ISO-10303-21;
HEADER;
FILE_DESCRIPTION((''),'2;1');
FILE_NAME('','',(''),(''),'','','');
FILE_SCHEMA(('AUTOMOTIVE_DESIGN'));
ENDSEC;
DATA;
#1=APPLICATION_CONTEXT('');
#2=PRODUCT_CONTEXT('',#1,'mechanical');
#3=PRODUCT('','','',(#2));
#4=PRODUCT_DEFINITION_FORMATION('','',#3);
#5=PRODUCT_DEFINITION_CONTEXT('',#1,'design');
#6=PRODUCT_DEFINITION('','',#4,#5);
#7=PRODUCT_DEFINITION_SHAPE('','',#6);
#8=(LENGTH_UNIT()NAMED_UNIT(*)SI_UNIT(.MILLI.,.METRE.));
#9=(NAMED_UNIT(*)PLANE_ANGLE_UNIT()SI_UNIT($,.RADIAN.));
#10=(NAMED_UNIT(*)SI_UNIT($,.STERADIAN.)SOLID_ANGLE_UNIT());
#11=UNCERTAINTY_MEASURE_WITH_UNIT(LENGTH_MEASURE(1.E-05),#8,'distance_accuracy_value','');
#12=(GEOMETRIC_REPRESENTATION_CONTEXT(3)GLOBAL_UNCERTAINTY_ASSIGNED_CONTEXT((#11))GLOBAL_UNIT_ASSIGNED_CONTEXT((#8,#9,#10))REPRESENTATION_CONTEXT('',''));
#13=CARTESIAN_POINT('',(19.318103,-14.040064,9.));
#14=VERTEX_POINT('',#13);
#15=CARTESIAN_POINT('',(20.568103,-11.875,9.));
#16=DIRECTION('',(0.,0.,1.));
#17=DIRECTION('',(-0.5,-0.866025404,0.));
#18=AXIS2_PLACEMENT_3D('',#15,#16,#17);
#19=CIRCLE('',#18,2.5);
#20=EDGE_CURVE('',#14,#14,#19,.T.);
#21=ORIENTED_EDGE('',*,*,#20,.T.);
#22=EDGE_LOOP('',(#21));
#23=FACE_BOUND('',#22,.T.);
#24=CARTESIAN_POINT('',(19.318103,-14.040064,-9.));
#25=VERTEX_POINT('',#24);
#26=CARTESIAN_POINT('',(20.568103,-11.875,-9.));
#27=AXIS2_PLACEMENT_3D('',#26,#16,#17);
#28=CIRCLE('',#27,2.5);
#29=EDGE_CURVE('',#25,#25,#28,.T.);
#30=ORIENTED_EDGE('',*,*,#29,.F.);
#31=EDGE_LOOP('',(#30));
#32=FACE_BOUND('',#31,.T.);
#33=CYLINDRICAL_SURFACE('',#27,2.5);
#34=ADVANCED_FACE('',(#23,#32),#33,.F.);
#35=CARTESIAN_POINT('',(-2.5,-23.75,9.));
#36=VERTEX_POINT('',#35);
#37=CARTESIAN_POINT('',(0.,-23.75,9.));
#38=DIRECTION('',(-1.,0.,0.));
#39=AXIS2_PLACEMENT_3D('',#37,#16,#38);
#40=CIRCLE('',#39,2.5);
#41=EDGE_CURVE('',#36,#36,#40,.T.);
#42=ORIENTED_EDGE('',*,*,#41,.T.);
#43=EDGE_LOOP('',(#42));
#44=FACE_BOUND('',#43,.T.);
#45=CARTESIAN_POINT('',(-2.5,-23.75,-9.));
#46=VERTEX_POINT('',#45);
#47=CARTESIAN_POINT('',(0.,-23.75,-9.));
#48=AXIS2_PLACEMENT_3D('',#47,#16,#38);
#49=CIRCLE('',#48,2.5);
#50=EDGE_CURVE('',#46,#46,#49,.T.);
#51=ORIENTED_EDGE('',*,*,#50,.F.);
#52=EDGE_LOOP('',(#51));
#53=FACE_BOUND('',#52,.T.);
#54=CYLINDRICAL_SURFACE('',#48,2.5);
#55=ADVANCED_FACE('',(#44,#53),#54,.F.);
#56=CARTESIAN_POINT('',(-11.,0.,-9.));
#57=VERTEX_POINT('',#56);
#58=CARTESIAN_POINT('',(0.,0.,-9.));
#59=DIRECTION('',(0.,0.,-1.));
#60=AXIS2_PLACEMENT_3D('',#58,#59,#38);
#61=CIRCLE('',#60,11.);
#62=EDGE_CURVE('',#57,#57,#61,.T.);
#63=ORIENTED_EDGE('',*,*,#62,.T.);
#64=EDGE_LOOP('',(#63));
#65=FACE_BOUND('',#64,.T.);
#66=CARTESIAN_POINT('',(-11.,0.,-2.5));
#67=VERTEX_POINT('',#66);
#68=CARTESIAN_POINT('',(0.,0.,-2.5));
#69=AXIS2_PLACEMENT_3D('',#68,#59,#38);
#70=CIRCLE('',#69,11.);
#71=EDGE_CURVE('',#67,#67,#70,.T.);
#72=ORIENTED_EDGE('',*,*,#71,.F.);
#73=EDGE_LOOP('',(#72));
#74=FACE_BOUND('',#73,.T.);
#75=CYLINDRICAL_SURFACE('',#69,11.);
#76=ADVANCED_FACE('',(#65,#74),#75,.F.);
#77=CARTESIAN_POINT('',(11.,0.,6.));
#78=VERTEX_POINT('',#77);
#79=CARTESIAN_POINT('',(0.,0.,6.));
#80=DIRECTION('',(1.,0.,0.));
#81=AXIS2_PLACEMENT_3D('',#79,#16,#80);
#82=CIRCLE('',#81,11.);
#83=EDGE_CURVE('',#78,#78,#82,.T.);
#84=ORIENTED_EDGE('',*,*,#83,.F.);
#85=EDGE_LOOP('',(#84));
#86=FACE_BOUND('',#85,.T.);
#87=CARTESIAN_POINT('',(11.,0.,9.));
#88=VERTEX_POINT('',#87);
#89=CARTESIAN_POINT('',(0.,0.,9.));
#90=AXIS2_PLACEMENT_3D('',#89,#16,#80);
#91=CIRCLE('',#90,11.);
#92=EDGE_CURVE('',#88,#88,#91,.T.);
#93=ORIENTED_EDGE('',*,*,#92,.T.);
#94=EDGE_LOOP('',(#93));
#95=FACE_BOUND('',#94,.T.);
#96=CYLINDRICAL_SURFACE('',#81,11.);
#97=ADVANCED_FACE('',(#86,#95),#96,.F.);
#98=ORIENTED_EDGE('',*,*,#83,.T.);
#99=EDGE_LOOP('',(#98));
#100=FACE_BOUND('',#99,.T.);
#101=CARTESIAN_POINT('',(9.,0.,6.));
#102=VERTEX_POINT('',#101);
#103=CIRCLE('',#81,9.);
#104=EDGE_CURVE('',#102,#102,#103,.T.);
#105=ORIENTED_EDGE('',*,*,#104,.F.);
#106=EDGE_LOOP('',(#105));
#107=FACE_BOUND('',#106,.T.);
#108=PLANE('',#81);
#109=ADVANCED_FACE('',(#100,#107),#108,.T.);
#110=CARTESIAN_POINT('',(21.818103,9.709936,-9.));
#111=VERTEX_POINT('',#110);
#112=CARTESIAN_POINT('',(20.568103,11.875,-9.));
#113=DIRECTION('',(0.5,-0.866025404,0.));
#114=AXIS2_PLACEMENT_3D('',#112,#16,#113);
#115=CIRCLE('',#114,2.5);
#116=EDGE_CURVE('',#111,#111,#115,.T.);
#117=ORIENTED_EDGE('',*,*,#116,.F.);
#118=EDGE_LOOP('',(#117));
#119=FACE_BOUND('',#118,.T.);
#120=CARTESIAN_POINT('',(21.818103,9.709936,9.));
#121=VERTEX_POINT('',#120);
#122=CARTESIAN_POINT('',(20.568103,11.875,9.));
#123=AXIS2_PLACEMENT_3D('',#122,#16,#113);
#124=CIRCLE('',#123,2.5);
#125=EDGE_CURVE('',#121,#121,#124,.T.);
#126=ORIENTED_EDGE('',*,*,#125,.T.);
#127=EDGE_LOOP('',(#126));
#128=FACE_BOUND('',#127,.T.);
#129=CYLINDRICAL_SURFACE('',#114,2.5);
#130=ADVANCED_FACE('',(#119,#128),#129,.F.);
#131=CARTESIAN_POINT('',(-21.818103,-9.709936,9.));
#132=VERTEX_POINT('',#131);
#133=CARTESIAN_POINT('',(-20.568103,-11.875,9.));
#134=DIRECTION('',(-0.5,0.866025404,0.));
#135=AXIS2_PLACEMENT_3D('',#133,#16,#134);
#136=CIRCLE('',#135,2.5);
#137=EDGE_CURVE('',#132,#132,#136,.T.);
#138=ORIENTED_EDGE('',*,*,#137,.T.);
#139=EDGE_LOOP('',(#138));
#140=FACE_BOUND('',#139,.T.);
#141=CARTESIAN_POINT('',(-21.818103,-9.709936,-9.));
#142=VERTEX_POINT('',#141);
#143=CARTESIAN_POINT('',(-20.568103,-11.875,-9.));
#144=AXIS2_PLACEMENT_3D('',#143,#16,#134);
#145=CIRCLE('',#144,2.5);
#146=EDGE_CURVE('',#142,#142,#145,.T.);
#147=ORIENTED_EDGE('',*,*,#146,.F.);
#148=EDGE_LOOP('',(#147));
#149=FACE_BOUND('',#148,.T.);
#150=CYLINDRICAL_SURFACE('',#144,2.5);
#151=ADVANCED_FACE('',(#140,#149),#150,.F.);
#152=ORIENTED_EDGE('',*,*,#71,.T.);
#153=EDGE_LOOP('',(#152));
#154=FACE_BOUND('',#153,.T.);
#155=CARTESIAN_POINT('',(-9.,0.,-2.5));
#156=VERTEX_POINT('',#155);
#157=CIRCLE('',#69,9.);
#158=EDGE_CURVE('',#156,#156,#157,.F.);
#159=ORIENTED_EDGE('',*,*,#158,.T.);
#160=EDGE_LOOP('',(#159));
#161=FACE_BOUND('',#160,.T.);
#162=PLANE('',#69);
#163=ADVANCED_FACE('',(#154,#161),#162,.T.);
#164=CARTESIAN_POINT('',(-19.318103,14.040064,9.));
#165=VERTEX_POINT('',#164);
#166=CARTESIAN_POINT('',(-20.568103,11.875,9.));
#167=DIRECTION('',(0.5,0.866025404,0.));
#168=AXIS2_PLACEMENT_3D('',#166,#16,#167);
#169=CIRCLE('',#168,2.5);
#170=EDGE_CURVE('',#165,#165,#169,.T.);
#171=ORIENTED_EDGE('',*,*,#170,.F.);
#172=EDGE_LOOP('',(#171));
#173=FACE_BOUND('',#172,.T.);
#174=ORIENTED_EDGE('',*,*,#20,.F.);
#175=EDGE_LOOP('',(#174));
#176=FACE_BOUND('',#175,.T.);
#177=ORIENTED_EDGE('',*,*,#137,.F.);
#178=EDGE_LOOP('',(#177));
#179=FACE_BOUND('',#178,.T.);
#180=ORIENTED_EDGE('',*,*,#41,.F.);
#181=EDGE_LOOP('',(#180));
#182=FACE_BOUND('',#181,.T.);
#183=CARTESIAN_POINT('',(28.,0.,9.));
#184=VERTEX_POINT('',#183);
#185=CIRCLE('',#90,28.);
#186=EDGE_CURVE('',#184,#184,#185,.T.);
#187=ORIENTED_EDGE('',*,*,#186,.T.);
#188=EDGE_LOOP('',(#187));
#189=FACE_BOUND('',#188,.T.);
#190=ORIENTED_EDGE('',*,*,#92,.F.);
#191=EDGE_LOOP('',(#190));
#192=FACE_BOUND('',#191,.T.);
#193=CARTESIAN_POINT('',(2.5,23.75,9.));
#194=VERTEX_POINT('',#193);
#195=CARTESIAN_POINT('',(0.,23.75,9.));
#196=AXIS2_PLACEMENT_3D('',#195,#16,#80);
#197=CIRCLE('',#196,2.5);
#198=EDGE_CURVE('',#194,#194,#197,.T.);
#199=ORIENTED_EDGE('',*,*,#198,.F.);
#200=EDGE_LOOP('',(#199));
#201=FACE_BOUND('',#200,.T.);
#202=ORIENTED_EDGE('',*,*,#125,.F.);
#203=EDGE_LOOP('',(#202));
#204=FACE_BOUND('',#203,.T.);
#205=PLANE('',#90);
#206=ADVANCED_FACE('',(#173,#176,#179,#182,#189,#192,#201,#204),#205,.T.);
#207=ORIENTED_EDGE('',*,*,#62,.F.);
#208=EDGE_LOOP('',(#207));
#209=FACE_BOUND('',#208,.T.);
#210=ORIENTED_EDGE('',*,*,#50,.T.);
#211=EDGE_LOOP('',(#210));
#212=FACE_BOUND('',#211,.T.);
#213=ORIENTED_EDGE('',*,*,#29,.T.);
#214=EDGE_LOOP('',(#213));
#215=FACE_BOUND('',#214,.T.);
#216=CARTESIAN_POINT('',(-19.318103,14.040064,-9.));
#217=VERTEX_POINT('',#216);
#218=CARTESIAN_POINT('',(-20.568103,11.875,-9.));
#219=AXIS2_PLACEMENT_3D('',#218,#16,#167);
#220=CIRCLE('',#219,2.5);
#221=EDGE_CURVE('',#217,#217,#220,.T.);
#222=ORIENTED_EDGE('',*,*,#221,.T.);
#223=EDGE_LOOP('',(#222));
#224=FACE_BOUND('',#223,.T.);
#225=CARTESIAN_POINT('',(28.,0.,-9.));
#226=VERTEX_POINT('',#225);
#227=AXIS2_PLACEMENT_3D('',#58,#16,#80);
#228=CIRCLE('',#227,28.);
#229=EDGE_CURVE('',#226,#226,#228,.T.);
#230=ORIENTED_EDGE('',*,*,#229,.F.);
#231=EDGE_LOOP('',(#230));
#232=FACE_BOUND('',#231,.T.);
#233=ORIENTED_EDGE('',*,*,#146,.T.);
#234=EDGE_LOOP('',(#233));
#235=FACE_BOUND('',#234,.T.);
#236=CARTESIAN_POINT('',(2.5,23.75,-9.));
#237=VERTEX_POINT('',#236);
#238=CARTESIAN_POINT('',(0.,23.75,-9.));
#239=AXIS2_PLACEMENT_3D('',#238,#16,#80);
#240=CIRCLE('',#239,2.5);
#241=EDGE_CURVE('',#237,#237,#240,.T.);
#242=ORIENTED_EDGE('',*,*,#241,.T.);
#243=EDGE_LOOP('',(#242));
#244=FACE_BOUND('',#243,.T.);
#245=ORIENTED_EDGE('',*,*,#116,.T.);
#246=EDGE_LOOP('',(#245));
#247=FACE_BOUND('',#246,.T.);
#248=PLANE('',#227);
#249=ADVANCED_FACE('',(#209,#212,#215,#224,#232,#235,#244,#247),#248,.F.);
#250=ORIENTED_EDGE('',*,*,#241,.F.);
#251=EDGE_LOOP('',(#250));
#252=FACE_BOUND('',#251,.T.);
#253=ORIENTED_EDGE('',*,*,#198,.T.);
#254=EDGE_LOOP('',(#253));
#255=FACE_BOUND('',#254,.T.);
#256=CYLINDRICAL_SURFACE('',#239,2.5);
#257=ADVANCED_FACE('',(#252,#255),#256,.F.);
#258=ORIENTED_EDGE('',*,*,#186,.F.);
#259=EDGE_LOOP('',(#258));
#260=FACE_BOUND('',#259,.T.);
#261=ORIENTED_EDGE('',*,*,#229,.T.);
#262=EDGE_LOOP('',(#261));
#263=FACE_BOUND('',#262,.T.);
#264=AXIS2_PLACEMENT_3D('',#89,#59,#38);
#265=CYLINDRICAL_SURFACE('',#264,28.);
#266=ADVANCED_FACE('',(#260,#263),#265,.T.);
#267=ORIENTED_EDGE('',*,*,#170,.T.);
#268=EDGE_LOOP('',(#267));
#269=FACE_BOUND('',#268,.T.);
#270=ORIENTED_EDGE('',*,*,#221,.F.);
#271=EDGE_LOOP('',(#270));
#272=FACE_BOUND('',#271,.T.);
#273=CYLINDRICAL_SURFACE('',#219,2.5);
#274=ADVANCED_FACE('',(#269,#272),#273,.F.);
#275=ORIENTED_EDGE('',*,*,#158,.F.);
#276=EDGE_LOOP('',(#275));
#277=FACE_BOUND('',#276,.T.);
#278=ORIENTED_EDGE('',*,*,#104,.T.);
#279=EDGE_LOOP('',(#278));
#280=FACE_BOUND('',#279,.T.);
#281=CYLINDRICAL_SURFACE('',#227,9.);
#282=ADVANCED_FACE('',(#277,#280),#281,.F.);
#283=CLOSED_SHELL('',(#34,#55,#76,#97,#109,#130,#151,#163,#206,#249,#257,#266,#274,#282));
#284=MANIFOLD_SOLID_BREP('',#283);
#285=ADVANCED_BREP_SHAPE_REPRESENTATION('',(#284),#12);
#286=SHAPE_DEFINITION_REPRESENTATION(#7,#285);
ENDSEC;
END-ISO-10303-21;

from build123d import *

# Parameters (mm, degrees)
SKETCH1_R                = 28
BOSS_EXTRUDE1_DEPTH      = 9
SKETCH2_R                = 11
CUT_EXTRUDE1_DEPTH       = 3
SKETCH3_R                = 9
CUT_EXTRUDE2_DEPTH       = 16
SKETCH4_R                = 11
CUT_EXTRUDE3_DEPTH       = 6.5
SKETCH_1_R               = 2.5
CUT_EXTRUDE_1_DEPTH      = 19
PATTERN_CIRCULAR_1_COUNT = 6


with BuildPart() as part:
    # Sketch1 → Boss-Extrude1 (new body, symmetric)
    with BuildSketch(Plane.XY):
        Circle(SKETCH1_R)
    extrude(amount=BOSS_EXTRUDE1_DEPTH, both=True)

    # Sketch2 → Cut-Extrude1 (cut)
    with BuildSketch(Plane.XY.offset(9)):
        Circle(SKETCH2_R)
    extrude(amount=-CUT_EXTRUDE1_DEPTH, mode=Mode.SUBTRACT)

    # Sketch3 → Cut-Extrude2 (cut, through all)
    with BuildSketch(Plane.XY.offset(6)):
        Circle(SKETCH3_R)
    extrude(amount=-CUT_EXTRUDE2_DEPTH, mode=Mode.SUBTRACT)

    # Sketch4 → Cut-Extrude3 (cut)
    with BuildSketch(Plane(origin=(0, 0, -9), x_dir=(-1, 0, 0), z_dir=(0, 0, -1))):
        Circle(SKETCH4_R)
    extrude(amount=-CUT_EXTRUDE3_DEPTH, mode=Mode.SUBTRACT)

    # 草圖1 → 除料-伸長1 (cut, through all)
    with BuildSketch(Plane.XY.offset(9)):
        with Locations((0, 23.75)):
            Circle(SKETCH_1_R)
    cut_extrude_1 = extrude(amount=-CUT_EXTRUDE_1_DEPTH, mode=Mode.SUBTRACT)

    # 環狀複製排列1: 除料-伸長1 ×6 about axis
    pattern_circular_1_axis = Axis((0, 0, 0), (0, 0, 1))
    for i in range(1, PATTERN_CIRCULAR_1_COUNT):
        add(cut_extrude_1.rotate(pattern_circular_1_axis, i * 360 / PATTERN_CIRCULAR_1_COUNT), mode=Mode.SUBTRACT)


solid = part.part
